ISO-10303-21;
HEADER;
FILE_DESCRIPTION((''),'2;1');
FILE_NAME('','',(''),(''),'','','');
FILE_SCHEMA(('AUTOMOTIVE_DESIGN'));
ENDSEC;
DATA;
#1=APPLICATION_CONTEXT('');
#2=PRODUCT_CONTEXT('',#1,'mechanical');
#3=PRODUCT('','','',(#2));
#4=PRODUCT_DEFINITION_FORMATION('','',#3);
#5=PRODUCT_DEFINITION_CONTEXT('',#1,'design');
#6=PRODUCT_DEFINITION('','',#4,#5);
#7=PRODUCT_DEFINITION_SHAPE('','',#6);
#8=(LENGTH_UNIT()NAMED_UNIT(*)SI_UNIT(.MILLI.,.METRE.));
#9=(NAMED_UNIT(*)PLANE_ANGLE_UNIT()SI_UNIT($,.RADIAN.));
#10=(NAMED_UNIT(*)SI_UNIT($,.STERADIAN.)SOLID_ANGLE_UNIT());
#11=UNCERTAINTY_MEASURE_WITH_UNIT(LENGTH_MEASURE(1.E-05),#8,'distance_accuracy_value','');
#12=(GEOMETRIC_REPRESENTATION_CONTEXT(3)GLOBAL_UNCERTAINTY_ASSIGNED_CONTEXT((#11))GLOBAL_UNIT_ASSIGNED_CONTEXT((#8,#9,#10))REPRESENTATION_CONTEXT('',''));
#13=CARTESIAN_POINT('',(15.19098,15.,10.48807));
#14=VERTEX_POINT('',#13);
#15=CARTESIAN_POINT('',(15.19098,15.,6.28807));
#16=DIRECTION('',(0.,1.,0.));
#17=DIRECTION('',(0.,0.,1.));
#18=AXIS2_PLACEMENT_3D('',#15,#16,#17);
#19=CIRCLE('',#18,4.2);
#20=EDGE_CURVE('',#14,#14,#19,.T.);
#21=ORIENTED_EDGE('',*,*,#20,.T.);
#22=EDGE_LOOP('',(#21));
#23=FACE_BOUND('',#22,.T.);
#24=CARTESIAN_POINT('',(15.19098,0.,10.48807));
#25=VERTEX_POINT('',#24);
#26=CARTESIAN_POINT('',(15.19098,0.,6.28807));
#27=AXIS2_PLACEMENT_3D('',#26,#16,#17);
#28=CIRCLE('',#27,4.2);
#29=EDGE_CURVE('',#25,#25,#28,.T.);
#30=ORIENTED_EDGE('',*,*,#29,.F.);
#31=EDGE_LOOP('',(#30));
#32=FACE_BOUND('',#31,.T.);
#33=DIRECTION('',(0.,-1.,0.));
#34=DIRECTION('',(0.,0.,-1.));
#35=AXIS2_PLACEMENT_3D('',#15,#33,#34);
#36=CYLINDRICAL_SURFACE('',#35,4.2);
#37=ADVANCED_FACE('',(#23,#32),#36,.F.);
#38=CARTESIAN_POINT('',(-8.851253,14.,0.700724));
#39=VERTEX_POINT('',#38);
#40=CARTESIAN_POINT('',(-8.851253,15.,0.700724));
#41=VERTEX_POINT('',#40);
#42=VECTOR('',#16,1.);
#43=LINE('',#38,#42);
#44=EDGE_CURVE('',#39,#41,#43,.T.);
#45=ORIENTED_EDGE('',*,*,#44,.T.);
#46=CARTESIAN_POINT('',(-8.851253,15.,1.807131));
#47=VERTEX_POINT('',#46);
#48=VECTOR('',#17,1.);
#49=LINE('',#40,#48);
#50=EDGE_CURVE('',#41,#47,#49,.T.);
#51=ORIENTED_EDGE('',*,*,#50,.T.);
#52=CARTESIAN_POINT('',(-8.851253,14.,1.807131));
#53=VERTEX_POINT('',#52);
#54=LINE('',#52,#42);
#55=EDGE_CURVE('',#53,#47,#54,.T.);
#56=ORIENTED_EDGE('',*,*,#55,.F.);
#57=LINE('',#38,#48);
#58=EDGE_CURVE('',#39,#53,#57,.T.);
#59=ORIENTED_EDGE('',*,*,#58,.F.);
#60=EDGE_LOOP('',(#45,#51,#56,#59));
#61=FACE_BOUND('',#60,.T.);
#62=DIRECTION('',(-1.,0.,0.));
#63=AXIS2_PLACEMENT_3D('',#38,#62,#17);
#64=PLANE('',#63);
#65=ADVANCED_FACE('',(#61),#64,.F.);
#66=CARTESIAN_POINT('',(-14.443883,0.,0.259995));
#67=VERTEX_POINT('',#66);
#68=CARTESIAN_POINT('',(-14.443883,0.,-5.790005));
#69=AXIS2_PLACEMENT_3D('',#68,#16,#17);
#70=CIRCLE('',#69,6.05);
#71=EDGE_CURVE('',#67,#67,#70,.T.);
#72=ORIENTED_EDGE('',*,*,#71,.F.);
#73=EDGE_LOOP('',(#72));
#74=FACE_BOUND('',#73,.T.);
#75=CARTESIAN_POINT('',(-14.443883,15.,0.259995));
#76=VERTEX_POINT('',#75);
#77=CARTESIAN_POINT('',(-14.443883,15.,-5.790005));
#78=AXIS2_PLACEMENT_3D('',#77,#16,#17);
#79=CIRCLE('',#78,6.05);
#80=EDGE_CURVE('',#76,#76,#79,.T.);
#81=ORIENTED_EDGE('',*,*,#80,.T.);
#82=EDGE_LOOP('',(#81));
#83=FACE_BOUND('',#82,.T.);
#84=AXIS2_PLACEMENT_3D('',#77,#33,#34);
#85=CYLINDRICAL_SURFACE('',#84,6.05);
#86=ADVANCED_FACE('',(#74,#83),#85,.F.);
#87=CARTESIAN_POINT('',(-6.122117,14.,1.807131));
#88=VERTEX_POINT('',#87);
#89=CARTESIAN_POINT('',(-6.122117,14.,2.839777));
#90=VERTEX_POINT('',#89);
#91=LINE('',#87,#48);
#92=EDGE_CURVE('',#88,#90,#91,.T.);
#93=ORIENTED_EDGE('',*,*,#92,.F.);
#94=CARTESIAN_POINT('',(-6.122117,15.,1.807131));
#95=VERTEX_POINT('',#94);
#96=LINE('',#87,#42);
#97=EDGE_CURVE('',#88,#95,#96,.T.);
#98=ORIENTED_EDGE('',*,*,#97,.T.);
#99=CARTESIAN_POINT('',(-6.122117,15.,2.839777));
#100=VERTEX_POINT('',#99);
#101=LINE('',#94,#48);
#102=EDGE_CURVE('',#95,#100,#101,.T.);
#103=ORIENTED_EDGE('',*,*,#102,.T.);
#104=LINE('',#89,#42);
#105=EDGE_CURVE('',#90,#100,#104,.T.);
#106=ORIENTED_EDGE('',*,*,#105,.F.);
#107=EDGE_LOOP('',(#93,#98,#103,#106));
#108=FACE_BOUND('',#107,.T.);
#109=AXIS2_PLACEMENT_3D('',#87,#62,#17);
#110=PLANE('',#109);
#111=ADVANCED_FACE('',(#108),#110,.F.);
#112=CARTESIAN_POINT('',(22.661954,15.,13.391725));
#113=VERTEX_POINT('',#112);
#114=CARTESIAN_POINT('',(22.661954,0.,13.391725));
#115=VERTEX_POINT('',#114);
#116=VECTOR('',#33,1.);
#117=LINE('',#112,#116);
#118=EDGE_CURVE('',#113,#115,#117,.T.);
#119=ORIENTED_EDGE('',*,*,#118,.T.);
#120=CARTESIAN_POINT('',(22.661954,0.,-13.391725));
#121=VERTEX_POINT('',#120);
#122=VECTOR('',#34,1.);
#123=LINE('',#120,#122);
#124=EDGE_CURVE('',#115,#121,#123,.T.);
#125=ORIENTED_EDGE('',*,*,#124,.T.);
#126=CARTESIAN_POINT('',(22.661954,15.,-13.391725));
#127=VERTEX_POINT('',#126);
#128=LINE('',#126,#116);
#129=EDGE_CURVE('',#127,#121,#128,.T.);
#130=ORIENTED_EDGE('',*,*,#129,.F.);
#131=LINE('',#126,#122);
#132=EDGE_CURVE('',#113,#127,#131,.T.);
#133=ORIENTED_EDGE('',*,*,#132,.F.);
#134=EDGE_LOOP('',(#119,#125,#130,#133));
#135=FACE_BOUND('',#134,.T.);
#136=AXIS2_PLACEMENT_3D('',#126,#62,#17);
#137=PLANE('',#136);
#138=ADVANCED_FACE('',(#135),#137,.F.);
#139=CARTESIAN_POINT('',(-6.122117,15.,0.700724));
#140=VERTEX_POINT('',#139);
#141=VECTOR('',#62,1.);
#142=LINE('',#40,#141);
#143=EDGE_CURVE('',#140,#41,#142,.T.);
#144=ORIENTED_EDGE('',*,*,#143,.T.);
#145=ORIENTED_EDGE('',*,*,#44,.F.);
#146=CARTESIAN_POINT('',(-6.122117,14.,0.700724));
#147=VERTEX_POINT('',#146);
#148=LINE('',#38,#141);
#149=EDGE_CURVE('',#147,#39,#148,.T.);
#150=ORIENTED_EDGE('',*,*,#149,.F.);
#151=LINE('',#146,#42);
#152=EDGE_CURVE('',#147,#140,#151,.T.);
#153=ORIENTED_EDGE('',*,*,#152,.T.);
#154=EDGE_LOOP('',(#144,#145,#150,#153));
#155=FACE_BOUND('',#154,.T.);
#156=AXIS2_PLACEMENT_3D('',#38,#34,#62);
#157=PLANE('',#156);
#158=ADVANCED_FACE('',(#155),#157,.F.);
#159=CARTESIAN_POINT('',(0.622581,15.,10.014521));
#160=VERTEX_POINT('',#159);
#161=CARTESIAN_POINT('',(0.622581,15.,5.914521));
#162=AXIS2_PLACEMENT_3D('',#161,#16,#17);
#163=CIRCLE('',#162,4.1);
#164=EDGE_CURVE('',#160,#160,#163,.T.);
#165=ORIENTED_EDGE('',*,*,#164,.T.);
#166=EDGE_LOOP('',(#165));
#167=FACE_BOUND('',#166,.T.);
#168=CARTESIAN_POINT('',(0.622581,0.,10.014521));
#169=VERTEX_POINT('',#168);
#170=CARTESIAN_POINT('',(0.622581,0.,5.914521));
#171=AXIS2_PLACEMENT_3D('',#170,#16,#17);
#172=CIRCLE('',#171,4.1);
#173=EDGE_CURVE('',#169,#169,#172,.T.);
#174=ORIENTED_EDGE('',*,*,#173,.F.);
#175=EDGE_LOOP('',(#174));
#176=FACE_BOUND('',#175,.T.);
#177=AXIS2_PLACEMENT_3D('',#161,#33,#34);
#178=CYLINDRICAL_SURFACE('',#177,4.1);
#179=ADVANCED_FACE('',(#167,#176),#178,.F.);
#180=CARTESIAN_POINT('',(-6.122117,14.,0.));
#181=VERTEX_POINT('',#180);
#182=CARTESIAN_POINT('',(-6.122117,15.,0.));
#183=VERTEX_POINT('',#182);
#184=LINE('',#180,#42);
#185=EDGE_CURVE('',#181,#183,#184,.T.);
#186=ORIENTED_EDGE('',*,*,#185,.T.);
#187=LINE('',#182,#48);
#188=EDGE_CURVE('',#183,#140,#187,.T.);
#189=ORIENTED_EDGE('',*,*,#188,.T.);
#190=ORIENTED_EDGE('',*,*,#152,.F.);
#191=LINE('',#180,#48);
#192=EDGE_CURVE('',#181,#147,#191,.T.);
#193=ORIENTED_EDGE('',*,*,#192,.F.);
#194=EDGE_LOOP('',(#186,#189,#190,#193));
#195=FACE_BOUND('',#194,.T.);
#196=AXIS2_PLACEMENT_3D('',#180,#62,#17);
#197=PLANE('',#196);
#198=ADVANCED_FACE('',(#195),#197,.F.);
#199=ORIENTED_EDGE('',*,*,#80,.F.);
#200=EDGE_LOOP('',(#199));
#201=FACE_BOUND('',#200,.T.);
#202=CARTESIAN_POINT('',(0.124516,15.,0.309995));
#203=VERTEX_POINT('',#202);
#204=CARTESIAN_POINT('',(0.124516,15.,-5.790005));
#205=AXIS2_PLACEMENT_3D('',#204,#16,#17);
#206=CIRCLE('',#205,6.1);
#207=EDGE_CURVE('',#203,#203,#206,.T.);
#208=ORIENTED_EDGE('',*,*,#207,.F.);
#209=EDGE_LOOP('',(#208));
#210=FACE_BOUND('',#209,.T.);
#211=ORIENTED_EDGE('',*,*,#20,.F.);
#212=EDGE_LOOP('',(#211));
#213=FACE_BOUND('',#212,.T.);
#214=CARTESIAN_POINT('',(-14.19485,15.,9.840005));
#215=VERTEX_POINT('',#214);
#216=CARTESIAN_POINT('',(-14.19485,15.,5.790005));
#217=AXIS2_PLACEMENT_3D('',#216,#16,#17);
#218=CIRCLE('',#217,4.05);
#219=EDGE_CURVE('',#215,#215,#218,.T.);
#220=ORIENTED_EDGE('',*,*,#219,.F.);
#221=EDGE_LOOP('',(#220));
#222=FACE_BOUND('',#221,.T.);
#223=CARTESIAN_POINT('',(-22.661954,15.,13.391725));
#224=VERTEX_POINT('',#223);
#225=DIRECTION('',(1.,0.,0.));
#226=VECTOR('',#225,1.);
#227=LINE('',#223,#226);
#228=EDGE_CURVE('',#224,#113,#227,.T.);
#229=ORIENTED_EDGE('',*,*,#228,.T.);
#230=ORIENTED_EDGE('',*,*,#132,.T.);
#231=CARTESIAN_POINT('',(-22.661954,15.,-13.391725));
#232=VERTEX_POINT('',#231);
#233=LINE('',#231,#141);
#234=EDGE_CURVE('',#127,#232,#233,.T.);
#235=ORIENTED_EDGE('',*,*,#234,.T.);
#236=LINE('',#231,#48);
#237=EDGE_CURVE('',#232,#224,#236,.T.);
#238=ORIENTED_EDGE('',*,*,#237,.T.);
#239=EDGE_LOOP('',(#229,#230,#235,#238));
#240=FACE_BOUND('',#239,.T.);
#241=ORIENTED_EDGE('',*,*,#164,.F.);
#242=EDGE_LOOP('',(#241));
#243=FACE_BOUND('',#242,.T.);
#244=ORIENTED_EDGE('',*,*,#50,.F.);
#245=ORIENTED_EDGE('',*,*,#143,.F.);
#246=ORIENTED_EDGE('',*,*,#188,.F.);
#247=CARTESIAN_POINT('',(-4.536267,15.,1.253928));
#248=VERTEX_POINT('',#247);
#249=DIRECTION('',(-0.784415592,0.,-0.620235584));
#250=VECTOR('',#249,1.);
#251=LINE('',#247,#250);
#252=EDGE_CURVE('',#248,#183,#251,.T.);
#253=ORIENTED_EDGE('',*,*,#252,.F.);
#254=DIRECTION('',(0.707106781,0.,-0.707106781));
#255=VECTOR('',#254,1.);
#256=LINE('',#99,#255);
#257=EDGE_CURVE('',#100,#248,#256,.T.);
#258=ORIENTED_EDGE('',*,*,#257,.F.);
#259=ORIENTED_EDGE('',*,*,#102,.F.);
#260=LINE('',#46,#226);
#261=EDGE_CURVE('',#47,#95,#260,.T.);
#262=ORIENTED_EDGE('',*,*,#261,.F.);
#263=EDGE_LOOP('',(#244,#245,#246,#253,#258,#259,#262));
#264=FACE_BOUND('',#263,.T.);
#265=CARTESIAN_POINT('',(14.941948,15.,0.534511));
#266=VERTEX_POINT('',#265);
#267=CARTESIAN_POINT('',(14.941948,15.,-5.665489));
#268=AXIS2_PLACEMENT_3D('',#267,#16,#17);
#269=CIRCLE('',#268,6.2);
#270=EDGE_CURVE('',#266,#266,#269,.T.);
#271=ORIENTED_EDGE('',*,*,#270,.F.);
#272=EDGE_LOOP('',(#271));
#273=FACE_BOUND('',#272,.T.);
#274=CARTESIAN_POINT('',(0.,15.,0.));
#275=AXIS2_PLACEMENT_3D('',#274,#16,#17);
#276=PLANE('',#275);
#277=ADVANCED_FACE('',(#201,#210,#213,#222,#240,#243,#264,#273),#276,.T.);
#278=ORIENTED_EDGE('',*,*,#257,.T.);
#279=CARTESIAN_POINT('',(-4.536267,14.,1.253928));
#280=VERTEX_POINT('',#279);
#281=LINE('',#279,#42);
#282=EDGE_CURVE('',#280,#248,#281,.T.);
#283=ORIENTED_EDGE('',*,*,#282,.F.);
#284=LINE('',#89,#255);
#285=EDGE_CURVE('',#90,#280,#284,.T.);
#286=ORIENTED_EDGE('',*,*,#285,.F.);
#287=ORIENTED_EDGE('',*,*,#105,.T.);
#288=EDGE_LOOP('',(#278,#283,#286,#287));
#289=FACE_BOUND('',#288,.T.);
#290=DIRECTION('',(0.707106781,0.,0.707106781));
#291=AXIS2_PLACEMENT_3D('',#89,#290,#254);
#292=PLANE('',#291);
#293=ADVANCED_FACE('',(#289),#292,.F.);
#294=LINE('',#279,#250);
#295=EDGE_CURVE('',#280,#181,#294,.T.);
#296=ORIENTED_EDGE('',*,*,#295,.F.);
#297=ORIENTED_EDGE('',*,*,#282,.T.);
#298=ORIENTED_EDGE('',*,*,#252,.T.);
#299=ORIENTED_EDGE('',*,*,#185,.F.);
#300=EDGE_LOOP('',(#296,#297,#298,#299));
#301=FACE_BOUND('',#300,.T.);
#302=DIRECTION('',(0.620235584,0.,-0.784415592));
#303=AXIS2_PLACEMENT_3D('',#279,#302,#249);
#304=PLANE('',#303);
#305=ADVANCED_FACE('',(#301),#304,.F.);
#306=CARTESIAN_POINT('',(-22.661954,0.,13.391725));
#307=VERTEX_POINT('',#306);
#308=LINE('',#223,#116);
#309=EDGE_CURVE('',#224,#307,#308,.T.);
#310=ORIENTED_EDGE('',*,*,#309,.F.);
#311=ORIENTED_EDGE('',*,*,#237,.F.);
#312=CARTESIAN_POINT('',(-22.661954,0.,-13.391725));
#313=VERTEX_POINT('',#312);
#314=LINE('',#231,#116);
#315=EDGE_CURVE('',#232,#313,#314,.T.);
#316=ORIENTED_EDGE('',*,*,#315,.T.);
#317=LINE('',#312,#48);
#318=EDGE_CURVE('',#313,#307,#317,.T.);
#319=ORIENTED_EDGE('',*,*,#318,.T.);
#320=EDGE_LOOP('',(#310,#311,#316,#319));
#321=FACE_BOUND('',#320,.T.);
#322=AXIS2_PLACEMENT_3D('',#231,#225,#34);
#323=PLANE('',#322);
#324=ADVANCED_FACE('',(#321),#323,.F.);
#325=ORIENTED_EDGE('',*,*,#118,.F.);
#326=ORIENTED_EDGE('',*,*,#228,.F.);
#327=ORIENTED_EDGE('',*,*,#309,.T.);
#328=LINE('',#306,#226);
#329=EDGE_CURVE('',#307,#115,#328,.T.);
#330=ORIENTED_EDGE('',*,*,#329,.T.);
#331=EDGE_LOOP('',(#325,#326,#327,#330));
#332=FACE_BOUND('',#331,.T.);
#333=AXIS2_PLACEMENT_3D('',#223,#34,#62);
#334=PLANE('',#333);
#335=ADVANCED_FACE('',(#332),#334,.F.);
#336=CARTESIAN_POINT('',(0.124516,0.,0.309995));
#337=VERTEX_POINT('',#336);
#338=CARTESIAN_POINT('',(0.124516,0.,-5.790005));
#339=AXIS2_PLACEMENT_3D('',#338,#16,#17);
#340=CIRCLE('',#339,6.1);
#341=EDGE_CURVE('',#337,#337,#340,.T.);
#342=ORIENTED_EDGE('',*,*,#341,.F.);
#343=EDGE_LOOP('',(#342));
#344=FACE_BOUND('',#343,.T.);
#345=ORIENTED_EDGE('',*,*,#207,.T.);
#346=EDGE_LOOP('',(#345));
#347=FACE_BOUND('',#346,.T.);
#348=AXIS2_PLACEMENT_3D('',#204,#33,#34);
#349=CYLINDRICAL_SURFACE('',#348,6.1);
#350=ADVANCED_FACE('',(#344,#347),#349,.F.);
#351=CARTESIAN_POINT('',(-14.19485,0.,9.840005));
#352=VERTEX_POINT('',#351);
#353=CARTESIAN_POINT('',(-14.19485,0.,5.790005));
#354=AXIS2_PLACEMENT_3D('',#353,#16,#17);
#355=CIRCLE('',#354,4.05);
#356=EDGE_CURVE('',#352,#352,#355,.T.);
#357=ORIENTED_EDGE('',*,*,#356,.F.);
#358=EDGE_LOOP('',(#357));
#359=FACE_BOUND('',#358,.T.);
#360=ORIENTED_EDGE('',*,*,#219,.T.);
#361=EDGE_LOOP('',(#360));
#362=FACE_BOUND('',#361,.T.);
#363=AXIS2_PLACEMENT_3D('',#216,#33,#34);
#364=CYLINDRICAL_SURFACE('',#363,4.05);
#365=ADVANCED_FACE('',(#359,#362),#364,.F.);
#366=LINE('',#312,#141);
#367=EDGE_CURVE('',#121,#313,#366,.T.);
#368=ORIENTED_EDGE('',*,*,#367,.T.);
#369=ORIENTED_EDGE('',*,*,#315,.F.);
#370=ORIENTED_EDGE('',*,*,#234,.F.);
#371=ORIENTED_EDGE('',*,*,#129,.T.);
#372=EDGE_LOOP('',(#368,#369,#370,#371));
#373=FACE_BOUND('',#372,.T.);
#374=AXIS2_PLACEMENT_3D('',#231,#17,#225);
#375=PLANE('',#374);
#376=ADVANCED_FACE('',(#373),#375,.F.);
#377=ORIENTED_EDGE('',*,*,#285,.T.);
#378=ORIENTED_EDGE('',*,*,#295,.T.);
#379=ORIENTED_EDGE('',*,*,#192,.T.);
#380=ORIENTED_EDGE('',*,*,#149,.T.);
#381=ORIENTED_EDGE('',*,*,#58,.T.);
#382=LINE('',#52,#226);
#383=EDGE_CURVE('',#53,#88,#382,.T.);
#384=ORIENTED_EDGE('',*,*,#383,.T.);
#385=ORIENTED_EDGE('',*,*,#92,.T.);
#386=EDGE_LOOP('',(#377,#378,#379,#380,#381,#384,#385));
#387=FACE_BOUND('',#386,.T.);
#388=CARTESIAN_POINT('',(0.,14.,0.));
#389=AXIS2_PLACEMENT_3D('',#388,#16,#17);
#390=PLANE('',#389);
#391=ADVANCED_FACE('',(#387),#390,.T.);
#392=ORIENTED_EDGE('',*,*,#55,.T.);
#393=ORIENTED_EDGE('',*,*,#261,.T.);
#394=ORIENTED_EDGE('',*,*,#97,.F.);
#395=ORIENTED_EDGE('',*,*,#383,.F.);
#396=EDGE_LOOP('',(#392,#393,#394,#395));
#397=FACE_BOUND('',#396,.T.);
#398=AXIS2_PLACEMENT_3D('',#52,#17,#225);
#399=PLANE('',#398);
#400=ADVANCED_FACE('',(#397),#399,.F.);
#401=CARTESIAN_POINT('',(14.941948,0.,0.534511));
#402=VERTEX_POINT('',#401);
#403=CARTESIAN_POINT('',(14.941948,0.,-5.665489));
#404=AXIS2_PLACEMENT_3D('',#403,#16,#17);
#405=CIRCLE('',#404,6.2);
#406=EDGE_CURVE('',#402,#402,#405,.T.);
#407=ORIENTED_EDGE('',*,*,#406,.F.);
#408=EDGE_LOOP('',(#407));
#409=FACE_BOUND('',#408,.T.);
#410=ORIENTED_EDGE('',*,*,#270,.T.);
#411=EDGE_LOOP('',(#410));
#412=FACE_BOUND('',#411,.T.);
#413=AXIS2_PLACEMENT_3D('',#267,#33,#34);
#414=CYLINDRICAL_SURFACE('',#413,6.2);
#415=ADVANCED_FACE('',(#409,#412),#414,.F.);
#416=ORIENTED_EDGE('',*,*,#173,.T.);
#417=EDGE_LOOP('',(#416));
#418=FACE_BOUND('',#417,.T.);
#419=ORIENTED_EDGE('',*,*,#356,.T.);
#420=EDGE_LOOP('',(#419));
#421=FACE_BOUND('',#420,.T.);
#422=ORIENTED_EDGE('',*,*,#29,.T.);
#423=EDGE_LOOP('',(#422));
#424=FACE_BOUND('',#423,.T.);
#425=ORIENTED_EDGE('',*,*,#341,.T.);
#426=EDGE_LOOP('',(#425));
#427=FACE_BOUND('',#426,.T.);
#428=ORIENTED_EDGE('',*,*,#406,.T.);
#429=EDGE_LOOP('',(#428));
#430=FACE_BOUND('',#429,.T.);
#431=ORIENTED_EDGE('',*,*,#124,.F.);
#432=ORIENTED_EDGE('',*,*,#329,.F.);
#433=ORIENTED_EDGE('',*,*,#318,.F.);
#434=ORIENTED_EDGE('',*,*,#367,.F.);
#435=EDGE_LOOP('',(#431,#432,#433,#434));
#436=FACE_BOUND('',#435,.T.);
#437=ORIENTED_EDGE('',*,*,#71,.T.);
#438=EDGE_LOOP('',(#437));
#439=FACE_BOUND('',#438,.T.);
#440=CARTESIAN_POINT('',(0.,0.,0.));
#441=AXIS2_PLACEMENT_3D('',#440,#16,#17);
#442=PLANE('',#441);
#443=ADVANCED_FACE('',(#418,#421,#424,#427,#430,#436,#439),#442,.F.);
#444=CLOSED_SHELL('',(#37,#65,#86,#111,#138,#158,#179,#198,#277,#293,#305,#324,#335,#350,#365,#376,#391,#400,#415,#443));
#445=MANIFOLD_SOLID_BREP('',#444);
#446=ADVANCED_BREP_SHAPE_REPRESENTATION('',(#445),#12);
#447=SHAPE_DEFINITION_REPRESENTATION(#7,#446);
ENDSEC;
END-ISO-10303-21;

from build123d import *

# Parameters (mm, degrees)
SKETCH1_W           = 45.323908176
SKETCH1_H           = 26.783449256
SKETCH1_R           = 4.05
SKETCH1_R_2         = 4.1
SKETCH1_R_3         = 4.2
SKETCH1_R_4         = 6.05
SKETCH1_R_5         = 6.1
SKETCH1_R_6         = 6.2
BOSS_EXTRUDE1_DEPTH = 15
CUT_EXTRUDE1_DEPTH  = 1


with BuildPart() as part:
    # Sketch1 → Boss-Extrude1 (new body)
    with BuildSketch(Plane(origin=(0, 0, 0), x_dir=(1, 0, 0), z_dir=(0, 1, 0))):
        Rectangle(SKETCH1_W, SKETCH1_H)
        with Locations(Location((-14.194850363, -5.790004753, 0), (0, 0, 270))):
            Circle(SKETCH1_R, mode=Mode.SUBTRACT)
        with Locations(Location((0.622581156, -5.914520985, 0), (0, 0, 270))):
            Circle(SKETCH1_R_2, mode=Mode.SUBTRACT)
        with Locations(Location((15.190980213, -6.288069678, 0), (0, 0, 270))):
            Circle(SKETCH1_R_3, mode=Mode.SUBTRACT)
        with Locations(Location((-14.443882825, 5.790004753, 0), (0, 0, 270))):
            Circle(SKETCH1_R_4, mode=Mode.SUBTRACT)
        with Locations(Location((0.124516231, 5.790004753, 0), (0, 0, 270))):
            Circle(SKETCH1_R_5, mode=Mode.SUBTRACT)
        with Locations(Location((14.94194775, 5.665488522, 0), (0, 0, 270))):
            Circle(SKETCH1_R_6, mode=Mode.SUBTRACT)
    extrude(amount=BOSS_EXTRUDE1_DEPTH)

    # Sketch2 → Cut-Extrude1 (cut)
    with BuildSketch(Plane(origin=(0, 15, 0), x_dir=(1, 0, 0), z_dir=(0, 1, 0))):
        Polygon((-6.12211696, 0), (-6.12211696, -0.70072423), (-8.851253436, -0.70072423), (-8.851253436, -1.80713091), (-6.12211696, -1.80713091), (-6.12211696, -2.839777144), (-4.536267386, -1.25392757), align=None)
    extrude(amount=-CUT_EXTRUDE1_DEPTH, mode=Mode.SUBTRACT)


solid = part.part
